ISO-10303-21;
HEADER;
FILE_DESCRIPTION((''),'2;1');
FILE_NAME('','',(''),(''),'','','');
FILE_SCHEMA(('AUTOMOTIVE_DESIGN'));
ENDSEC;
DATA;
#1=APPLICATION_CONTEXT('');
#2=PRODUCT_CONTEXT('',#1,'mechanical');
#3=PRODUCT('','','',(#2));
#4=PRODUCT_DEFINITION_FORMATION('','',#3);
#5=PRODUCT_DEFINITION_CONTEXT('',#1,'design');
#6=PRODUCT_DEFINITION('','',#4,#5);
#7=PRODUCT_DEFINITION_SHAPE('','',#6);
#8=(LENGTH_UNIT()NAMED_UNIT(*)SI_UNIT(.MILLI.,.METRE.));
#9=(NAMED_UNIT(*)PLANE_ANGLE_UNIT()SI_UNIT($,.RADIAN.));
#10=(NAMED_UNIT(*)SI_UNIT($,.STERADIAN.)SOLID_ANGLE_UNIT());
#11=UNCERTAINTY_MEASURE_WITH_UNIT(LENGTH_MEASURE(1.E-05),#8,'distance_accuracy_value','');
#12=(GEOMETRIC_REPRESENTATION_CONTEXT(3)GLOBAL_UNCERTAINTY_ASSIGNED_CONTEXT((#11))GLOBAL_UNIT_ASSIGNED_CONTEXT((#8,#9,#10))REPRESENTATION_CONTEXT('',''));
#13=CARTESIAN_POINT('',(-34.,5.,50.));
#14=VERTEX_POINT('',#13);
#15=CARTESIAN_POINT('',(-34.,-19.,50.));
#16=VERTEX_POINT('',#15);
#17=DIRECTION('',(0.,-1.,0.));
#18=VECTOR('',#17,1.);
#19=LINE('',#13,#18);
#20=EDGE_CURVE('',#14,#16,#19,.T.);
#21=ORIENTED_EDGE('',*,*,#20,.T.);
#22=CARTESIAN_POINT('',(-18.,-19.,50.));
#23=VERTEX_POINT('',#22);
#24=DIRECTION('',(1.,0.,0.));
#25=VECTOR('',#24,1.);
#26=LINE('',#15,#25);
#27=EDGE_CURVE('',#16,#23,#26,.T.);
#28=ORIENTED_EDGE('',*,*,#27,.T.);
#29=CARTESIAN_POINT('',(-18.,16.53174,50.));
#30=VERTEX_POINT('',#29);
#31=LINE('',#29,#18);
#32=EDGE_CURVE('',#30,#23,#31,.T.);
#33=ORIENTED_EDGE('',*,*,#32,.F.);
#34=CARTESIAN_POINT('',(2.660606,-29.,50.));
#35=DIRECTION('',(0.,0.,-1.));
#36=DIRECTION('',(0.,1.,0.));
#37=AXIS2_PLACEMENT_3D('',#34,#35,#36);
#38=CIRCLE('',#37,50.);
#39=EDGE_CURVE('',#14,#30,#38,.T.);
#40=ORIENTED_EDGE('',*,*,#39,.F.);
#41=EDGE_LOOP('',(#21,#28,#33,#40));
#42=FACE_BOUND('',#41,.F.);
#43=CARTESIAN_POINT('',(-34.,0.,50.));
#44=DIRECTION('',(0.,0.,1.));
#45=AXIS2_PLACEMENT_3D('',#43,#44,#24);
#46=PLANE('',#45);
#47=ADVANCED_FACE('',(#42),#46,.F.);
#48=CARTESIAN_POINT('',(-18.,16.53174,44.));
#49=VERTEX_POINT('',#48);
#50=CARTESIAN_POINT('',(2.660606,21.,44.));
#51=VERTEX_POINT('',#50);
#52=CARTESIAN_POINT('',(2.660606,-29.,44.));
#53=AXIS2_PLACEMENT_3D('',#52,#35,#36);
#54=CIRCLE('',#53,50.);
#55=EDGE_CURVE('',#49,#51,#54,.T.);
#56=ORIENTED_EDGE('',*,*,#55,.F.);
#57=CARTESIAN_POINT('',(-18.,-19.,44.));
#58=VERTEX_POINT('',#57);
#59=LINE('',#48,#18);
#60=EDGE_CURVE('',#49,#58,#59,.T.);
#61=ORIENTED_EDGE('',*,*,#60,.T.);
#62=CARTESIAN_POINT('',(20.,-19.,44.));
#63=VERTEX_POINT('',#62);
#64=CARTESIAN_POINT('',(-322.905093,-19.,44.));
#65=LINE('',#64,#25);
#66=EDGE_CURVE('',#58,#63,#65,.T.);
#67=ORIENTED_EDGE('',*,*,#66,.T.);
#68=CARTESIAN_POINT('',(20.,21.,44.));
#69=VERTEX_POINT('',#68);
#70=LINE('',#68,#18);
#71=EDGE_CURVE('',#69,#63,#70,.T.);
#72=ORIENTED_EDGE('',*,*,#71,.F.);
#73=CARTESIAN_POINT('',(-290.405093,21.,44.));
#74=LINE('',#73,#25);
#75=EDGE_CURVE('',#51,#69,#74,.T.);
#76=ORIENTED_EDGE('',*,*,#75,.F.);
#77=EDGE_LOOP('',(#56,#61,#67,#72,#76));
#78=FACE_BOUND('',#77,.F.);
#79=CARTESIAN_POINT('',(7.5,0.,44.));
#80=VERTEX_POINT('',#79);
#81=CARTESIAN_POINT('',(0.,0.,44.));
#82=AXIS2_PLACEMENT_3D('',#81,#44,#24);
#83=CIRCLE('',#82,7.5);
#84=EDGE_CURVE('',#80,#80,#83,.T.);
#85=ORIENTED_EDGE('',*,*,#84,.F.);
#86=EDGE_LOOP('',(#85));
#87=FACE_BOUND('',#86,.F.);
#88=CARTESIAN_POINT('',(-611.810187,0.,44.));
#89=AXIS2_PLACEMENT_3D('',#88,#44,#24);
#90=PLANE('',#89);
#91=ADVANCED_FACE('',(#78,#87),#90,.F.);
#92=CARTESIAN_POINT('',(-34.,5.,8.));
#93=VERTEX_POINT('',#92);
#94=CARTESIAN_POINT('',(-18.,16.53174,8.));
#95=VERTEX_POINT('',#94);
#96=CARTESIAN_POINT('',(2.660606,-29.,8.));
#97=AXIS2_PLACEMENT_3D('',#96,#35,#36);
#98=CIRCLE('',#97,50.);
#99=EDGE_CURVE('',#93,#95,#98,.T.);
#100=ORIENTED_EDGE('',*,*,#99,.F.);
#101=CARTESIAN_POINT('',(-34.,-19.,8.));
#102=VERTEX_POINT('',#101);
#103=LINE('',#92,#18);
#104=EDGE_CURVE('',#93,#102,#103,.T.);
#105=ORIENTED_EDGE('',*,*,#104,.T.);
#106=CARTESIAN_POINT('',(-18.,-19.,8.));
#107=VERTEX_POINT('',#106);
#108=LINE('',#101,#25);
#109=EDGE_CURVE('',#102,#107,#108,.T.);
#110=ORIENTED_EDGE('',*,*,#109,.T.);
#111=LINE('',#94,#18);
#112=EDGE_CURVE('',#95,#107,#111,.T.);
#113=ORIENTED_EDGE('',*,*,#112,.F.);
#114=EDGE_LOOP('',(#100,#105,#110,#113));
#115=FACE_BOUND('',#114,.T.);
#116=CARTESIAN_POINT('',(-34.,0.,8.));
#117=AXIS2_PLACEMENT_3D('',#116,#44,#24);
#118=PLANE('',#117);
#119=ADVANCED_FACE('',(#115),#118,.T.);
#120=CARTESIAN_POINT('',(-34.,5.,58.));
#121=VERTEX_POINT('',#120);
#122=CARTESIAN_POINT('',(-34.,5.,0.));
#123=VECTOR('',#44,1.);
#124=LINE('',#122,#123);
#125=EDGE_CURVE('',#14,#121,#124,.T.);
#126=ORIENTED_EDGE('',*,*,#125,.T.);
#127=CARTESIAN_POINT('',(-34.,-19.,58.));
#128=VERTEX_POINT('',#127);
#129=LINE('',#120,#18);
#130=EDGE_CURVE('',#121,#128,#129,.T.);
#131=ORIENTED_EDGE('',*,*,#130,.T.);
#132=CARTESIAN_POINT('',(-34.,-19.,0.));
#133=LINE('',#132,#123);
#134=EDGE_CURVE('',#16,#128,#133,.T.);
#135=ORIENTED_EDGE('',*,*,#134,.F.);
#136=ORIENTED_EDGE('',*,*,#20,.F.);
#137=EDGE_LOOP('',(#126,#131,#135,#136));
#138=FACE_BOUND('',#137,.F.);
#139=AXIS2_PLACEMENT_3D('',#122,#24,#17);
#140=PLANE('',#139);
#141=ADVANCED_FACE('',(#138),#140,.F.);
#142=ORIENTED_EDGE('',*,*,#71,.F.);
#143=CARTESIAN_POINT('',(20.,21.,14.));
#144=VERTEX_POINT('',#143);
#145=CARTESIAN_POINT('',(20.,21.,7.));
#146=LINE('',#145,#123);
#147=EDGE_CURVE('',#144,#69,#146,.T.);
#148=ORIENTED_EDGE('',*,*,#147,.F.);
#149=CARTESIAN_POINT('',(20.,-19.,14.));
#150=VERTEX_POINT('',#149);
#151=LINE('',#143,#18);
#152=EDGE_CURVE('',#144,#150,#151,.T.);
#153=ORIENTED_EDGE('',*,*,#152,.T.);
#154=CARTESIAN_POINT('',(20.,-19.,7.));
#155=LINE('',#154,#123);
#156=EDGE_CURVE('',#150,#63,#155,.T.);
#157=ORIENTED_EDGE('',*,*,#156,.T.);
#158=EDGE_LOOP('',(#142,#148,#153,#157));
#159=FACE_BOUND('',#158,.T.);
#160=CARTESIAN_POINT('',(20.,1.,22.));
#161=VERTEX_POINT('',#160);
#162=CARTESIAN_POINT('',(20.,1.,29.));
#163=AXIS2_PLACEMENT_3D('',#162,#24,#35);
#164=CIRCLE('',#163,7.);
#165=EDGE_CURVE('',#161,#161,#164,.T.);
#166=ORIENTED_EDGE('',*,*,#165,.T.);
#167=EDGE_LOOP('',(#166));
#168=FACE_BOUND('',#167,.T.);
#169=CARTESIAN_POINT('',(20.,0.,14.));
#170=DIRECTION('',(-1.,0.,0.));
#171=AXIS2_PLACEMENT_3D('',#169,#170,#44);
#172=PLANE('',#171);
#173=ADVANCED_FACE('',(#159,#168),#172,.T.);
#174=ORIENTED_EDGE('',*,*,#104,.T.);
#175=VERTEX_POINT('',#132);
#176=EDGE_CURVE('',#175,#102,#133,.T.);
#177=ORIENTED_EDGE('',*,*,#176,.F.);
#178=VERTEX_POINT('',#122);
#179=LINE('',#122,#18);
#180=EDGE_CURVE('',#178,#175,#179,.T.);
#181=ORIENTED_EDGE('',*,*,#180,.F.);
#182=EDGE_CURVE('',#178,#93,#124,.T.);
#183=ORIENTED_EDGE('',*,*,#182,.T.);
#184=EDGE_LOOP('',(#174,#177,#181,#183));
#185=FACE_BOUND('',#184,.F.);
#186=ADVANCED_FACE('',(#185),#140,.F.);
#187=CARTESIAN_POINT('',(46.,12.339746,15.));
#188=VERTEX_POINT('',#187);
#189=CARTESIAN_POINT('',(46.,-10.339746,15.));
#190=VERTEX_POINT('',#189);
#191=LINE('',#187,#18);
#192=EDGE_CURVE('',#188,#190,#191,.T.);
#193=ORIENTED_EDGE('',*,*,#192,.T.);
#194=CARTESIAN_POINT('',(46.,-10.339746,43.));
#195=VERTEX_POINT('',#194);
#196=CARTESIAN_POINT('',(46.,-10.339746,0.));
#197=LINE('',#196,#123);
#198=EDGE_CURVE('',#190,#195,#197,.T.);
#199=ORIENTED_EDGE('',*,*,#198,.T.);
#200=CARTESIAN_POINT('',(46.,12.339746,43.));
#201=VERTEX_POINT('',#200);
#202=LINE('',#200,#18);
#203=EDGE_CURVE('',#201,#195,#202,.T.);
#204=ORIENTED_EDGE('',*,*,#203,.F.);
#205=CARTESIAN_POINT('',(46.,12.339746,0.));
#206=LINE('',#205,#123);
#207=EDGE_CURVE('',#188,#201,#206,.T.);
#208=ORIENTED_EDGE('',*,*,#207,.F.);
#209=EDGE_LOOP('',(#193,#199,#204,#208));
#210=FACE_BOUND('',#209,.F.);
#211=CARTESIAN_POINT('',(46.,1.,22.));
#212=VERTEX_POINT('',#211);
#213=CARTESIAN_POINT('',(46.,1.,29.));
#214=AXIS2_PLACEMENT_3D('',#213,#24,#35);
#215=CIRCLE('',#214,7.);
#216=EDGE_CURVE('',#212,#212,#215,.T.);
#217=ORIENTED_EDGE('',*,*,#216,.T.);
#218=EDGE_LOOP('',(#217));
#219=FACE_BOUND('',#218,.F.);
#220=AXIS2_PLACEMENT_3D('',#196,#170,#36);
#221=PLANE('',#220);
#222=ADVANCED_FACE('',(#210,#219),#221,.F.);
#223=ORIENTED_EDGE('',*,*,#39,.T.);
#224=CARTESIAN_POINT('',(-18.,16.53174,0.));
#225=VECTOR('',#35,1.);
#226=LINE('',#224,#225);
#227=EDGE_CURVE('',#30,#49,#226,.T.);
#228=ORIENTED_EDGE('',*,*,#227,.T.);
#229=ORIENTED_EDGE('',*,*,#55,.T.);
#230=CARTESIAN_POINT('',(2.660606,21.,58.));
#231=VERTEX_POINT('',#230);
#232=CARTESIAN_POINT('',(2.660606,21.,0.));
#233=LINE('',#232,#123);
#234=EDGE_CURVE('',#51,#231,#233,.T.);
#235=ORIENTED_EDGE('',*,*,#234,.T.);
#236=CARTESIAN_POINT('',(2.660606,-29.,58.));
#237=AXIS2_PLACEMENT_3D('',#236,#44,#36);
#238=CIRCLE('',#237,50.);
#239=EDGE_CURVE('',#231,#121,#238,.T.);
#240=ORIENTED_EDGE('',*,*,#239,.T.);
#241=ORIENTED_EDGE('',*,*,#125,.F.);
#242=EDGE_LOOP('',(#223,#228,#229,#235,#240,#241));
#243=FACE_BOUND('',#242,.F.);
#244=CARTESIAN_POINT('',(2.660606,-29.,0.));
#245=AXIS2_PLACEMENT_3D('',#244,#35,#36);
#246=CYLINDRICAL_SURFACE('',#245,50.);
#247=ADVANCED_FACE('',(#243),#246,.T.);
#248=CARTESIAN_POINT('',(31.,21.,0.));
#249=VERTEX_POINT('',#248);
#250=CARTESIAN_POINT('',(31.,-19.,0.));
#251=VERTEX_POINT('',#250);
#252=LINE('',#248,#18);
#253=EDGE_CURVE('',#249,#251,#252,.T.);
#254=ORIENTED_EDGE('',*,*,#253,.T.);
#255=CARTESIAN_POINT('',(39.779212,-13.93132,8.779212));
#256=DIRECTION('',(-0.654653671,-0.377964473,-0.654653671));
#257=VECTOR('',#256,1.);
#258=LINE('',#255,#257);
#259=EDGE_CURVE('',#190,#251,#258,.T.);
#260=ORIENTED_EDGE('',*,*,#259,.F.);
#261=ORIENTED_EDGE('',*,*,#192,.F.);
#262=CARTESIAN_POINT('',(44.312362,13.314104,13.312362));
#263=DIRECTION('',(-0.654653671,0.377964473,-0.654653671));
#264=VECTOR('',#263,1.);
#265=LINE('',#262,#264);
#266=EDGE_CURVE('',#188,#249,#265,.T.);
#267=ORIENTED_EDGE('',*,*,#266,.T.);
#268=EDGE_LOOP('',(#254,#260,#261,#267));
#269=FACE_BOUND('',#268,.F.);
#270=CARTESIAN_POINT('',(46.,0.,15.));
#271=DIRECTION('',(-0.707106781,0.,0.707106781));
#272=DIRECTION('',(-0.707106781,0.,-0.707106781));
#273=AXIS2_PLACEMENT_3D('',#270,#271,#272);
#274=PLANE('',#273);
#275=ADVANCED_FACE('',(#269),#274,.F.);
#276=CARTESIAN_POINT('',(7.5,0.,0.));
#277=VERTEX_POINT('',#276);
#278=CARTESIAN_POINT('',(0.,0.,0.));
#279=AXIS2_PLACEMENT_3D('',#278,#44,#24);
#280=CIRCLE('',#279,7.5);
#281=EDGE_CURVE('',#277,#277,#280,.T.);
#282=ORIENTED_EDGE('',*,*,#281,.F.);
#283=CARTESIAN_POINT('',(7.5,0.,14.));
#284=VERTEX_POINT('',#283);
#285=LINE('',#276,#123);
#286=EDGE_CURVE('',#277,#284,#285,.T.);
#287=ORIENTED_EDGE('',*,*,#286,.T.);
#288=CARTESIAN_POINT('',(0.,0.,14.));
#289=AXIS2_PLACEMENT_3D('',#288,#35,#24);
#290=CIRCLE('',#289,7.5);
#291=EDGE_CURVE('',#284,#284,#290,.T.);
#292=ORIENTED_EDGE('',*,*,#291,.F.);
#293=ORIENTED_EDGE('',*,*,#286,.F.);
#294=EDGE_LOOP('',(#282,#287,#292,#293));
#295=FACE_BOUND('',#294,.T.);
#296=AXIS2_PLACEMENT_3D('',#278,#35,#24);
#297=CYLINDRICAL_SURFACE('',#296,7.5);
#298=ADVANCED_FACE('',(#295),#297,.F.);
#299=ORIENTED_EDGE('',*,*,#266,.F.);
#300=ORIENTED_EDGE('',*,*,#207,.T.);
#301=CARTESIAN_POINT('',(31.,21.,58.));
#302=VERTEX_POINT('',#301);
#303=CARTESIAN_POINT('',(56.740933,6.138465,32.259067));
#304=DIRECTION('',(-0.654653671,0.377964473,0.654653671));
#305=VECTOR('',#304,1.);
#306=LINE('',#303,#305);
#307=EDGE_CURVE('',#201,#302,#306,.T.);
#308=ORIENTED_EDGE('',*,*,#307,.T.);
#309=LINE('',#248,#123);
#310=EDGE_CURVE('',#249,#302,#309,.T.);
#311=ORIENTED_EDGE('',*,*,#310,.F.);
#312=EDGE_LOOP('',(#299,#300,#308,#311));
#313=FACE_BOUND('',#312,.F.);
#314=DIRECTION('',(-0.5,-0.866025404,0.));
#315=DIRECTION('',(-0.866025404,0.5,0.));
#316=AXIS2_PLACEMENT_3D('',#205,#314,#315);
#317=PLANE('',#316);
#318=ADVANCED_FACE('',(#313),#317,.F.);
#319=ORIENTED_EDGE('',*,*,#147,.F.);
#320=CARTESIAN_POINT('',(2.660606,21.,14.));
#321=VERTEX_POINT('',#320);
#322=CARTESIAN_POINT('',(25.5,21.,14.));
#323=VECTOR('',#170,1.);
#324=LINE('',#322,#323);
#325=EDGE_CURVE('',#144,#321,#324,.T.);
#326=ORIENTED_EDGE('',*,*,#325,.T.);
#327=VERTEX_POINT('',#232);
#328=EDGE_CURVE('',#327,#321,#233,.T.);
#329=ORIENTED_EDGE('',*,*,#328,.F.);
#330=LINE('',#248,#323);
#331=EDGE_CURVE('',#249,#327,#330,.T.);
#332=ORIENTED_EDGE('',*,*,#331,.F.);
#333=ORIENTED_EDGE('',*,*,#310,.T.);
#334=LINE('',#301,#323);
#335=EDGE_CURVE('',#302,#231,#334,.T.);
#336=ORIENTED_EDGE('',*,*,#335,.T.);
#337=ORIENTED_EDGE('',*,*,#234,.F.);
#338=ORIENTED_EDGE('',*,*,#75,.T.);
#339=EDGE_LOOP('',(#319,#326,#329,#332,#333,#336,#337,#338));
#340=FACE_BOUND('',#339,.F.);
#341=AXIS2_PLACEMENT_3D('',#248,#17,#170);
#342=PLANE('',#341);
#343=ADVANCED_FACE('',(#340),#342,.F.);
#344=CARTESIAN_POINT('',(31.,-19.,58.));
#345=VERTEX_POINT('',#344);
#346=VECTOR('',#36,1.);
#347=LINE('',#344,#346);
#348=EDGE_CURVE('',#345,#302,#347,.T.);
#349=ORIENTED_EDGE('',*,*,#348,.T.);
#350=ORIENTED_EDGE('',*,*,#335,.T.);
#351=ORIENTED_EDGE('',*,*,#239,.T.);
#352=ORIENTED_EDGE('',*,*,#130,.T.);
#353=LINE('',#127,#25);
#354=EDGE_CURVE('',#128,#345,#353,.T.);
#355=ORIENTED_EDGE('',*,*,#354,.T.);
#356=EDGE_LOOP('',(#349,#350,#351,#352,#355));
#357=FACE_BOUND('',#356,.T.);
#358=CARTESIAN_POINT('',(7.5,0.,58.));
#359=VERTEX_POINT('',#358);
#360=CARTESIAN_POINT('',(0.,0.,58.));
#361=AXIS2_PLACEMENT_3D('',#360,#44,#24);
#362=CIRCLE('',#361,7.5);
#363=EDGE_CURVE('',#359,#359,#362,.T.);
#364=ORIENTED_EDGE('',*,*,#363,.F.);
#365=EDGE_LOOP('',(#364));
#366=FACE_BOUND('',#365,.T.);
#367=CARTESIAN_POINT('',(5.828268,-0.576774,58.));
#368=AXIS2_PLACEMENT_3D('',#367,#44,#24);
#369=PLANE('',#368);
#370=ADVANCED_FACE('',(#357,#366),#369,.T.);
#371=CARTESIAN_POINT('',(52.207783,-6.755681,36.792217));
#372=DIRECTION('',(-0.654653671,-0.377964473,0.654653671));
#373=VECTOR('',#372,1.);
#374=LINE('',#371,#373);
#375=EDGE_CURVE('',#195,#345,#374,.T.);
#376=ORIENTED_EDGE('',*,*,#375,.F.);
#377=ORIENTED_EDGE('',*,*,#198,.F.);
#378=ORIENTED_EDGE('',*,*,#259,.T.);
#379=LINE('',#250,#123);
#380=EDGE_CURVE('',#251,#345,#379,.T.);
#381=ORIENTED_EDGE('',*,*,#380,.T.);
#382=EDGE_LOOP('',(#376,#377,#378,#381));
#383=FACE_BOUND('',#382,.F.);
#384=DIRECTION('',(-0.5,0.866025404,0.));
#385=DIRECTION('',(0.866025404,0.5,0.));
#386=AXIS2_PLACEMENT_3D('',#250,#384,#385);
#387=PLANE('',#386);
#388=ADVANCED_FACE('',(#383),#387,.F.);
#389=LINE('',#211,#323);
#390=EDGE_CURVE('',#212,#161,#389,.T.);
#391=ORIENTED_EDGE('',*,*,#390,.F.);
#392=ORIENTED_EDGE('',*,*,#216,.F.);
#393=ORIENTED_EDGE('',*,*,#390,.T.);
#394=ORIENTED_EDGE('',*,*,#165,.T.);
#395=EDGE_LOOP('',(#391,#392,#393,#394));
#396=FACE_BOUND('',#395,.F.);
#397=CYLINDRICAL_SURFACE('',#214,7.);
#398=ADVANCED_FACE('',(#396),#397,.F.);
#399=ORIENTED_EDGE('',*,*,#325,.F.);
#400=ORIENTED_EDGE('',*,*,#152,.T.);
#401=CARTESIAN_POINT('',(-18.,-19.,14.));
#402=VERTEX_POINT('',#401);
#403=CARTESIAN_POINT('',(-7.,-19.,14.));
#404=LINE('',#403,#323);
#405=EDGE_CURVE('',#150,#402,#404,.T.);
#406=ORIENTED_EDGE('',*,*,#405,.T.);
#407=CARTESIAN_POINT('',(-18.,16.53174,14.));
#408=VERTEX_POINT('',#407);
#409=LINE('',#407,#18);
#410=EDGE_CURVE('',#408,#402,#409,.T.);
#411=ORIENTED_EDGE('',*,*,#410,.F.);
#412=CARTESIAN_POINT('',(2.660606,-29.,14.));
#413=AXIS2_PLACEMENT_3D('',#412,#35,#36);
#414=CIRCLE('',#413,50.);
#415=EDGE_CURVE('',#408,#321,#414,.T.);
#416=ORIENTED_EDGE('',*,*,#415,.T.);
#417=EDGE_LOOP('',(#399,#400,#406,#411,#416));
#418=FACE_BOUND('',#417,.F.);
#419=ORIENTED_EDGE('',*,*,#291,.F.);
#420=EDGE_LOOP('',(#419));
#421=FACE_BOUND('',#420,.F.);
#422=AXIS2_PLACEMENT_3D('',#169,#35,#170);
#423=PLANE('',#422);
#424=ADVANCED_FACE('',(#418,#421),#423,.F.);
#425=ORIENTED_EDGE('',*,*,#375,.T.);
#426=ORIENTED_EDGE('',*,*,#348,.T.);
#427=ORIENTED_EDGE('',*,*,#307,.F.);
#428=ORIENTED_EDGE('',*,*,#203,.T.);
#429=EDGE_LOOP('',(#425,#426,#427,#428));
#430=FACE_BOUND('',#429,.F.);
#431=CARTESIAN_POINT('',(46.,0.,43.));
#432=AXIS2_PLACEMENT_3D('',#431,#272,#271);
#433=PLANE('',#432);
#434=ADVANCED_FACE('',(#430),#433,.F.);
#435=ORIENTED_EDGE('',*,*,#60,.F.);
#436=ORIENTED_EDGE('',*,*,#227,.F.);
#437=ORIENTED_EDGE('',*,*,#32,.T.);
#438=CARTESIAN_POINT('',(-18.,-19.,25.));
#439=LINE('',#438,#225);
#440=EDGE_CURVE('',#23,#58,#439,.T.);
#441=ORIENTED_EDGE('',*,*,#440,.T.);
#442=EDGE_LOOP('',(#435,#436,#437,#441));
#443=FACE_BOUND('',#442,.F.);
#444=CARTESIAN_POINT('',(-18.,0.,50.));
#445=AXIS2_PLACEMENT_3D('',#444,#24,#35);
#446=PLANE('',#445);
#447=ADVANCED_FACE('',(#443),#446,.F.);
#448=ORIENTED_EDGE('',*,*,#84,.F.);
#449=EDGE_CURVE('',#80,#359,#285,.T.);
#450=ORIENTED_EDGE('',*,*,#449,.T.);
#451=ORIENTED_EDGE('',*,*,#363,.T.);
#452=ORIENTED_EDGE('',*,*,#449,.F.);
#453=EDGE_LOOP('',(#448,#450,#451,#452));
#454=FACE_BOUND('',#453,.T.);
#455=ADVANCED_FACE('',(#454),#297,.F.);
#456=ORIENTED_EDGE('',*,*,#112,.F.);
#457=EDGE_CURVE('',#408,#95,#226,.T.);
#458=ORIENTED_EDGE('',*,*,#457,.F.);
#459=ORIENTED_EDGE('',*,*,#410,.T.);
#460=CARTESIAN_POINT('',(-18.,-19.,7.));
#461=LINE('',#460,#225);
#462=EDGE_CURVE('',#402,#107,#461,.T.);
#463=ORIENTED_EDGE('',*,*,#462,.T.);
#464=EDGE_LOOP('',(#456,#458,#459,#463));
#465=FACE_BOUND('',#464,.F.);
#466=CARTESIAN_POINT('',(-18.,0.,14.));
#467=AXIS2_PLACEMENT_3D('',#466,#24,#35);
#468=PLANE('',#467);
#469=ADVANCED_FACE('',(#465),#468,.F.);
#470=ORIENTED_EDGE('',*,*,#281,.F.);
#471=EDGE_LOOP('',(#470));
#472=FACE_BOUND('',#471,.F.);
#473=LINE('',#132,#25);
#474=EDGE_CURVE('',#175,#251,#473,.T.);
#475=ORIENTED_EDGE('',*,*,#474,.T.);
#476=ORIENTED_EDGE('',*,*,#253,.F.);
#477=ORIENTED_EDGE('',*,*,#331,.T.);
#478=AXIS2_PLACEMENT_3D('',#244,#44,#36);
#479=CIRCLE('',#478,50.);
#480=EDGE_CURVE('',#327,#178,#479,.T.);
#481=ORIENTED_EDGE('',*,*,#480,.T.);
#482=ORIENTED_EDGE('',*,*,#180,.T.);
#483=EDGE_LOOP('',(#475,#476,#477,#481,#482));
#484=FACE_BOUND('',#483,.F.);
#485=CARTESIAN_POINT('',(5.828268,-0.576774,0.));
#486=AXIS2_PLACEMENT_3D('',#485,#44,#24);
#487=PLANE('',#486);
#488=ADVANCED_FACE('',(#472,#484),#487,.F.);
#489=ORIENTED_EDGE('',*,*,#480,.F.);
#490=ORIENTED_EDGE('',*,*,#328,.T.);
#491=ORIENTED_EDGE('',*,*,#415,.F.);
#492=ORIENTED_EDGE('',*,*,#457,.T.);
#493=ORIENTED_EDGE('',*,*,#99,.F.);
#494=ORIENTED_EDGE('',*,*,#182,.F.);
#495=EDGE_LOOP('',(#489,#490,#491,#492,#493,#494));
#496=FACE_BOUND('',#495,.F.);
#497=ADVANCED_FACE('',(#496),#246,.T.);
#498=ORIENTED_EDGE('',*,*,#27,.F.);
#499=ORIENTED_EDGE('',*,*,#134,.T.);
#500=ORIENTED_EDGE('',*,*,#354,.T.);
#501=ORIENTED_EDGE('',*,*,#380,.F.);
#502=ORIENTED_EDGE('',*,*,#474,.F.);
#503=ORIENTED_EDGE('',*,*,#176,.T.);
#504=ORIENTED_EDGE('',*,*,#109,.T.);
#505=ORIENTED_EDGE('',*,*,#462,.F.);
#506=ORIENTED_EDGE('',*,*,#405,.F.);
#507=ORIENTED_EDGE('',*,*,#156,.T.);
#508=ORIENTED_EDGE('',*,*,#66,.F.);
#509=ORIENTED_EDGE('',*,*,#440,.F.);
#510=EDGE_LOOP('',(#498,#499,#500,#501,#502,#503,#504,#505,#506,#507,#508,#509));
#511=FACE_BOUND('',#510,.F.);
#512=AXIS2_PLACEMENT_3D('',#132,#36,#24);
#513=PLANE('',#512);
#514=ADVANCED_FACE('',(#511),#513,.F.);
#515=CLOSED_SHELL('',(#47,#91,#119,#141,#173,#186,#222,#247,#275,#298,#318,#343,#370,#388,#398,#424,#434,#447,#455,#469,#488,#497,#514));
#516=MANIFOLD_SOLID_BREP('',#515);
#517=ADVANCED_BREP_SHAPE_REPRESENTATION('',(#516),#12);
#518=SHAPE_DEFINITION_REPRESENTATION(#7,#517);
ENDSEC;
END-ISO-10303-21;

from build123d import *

# Parameters (mm, degrees)
SKETCH1_R                = 7.5
BOSS_EXTRUDE1_DEPTH      = 58
SKETCH5_R                = 7
CUT_EXTRUDE1_DEPTH       = 81
CUT_EXTRUDE3_DEPTH       = 22.0000001
CUT_EXTRUDE3_DEPTH_BACK  = 20
SKETCH7_W                = 16
SKETCH7_H                = 6
CUT_EXTRUDE5_DEPTH       = 22
CUT_EXTRUDE5_DEPTH_BACK  = 20
CUT_EXTRUDE14_DEPTH      = 24
CUT_EXTRUDE14_DEPTH_BACK = 24


with BuildPart() as part:
    # Sketch1 → Boss-Extrude1 (new body)
    with BuildSketch(Plane.XY):
        with BuildLine():
            Line((-34, -19), (31, -19))
            Line((31, -19), (46, -10.339745962))
            Line((46, -10.339745962), (46, 12.339745962))
            Line((46, 12.339745962), (31, 21))
            Line((31, 21), (2.66060556, 21))
            ThreePointArc((2.66060556, 21), (-17.33939444, 16.82575695), (-34, 5))
            Line((-34, 5), (-34, -19))
        make_face()
        Circle(SKETCH1_R, mode=Mode.SUBTRACT)
    extrude(amount=BOSS_EXTRUDE1_DEPTH)

    # Sketch5 → Cut-Extrude1 (cut, through all)
    with BuildSketch(Plane(origin=(46, 0, 0), x_dir=(0, 0, -1), z_dir=(1, 0, 0))):
        with Locations((-29, 1)):
            Circle(SKETCH5_R)
    extrude(amount=-CUT_EXTRUDE1_DEPTH, mode=Mode.SUBTRACT)

    # Sketch6 → Cut-Extrude3 (cut, two sides)
    with BuildSketch(Plane(origin=(0, 0, 0), x_dir=(1, 0, 0), z_dir=(0, 1, 0))) as cut_extrude3_sk:
        Polygon((-226.60339564, -14), (-34, -14), (20, -14), (20, -44), (-34, -44), (-226.60339564, -44), (-611.81018692, -44), (-611.81018692, -14), align=None)
    extrude(amount=CUT_EXTRUDE3_DEPTH, mode=Mode.SUBTRACT)
    extrude(cut_extrude3_sk.sketch, amount=-CUT_EXTRUDE3_DEPTH_BACK, mode=Mode.SUBTRACT)

    # Sketch7 → Cut-Extrude5 (cut, two sides)
    with BuildSketch(Plane(origin=(0, 0, 0), x_dir=(1, 0, 0), z_dir=(0, 1, 0))) as cut_extrude5_sk:
        with Locations((-26, -11)):
            Rectangle(SKETCH7_W, SKETCH7_H)
        with Locations((-26, -47)):
            Rectangle(SKETCH7_W, SKETCH7_H)
    extrude(amount=CUT_EXTRUDE5_DEPTH, mode=Mode.SUBTRACT)
    extrude(cut_extrude5_sk.sketch, amount=-CUT_EXTRUDE5_DEPTH_BACK, mode=Mode.SUBTRACT)

    # Sketch14 → Cut-Extrude14 (cut, two sides)
    with BuildSketch(Plane(origin=(0, 0, 0), x_dir=(1, 0, 0), z_dir=(0, 1, 0))) as cut_extrude14_sk:
        Polygon((31, 0), (46, 0), (46, -15), align=None)
        Polygon((31, -58), (46, -58), (46, -43), align=None)
    extrude(amount=CUT_EXTRUDE14_DEPTH, mode=Mode.SUBTRACT)
    extrude(cut_extrude14_sk.sketch, amount=-CUT_EXTRUDE14_DEPTH_BACK, mode=Mode.SUBTRACT)


solid = part.part
